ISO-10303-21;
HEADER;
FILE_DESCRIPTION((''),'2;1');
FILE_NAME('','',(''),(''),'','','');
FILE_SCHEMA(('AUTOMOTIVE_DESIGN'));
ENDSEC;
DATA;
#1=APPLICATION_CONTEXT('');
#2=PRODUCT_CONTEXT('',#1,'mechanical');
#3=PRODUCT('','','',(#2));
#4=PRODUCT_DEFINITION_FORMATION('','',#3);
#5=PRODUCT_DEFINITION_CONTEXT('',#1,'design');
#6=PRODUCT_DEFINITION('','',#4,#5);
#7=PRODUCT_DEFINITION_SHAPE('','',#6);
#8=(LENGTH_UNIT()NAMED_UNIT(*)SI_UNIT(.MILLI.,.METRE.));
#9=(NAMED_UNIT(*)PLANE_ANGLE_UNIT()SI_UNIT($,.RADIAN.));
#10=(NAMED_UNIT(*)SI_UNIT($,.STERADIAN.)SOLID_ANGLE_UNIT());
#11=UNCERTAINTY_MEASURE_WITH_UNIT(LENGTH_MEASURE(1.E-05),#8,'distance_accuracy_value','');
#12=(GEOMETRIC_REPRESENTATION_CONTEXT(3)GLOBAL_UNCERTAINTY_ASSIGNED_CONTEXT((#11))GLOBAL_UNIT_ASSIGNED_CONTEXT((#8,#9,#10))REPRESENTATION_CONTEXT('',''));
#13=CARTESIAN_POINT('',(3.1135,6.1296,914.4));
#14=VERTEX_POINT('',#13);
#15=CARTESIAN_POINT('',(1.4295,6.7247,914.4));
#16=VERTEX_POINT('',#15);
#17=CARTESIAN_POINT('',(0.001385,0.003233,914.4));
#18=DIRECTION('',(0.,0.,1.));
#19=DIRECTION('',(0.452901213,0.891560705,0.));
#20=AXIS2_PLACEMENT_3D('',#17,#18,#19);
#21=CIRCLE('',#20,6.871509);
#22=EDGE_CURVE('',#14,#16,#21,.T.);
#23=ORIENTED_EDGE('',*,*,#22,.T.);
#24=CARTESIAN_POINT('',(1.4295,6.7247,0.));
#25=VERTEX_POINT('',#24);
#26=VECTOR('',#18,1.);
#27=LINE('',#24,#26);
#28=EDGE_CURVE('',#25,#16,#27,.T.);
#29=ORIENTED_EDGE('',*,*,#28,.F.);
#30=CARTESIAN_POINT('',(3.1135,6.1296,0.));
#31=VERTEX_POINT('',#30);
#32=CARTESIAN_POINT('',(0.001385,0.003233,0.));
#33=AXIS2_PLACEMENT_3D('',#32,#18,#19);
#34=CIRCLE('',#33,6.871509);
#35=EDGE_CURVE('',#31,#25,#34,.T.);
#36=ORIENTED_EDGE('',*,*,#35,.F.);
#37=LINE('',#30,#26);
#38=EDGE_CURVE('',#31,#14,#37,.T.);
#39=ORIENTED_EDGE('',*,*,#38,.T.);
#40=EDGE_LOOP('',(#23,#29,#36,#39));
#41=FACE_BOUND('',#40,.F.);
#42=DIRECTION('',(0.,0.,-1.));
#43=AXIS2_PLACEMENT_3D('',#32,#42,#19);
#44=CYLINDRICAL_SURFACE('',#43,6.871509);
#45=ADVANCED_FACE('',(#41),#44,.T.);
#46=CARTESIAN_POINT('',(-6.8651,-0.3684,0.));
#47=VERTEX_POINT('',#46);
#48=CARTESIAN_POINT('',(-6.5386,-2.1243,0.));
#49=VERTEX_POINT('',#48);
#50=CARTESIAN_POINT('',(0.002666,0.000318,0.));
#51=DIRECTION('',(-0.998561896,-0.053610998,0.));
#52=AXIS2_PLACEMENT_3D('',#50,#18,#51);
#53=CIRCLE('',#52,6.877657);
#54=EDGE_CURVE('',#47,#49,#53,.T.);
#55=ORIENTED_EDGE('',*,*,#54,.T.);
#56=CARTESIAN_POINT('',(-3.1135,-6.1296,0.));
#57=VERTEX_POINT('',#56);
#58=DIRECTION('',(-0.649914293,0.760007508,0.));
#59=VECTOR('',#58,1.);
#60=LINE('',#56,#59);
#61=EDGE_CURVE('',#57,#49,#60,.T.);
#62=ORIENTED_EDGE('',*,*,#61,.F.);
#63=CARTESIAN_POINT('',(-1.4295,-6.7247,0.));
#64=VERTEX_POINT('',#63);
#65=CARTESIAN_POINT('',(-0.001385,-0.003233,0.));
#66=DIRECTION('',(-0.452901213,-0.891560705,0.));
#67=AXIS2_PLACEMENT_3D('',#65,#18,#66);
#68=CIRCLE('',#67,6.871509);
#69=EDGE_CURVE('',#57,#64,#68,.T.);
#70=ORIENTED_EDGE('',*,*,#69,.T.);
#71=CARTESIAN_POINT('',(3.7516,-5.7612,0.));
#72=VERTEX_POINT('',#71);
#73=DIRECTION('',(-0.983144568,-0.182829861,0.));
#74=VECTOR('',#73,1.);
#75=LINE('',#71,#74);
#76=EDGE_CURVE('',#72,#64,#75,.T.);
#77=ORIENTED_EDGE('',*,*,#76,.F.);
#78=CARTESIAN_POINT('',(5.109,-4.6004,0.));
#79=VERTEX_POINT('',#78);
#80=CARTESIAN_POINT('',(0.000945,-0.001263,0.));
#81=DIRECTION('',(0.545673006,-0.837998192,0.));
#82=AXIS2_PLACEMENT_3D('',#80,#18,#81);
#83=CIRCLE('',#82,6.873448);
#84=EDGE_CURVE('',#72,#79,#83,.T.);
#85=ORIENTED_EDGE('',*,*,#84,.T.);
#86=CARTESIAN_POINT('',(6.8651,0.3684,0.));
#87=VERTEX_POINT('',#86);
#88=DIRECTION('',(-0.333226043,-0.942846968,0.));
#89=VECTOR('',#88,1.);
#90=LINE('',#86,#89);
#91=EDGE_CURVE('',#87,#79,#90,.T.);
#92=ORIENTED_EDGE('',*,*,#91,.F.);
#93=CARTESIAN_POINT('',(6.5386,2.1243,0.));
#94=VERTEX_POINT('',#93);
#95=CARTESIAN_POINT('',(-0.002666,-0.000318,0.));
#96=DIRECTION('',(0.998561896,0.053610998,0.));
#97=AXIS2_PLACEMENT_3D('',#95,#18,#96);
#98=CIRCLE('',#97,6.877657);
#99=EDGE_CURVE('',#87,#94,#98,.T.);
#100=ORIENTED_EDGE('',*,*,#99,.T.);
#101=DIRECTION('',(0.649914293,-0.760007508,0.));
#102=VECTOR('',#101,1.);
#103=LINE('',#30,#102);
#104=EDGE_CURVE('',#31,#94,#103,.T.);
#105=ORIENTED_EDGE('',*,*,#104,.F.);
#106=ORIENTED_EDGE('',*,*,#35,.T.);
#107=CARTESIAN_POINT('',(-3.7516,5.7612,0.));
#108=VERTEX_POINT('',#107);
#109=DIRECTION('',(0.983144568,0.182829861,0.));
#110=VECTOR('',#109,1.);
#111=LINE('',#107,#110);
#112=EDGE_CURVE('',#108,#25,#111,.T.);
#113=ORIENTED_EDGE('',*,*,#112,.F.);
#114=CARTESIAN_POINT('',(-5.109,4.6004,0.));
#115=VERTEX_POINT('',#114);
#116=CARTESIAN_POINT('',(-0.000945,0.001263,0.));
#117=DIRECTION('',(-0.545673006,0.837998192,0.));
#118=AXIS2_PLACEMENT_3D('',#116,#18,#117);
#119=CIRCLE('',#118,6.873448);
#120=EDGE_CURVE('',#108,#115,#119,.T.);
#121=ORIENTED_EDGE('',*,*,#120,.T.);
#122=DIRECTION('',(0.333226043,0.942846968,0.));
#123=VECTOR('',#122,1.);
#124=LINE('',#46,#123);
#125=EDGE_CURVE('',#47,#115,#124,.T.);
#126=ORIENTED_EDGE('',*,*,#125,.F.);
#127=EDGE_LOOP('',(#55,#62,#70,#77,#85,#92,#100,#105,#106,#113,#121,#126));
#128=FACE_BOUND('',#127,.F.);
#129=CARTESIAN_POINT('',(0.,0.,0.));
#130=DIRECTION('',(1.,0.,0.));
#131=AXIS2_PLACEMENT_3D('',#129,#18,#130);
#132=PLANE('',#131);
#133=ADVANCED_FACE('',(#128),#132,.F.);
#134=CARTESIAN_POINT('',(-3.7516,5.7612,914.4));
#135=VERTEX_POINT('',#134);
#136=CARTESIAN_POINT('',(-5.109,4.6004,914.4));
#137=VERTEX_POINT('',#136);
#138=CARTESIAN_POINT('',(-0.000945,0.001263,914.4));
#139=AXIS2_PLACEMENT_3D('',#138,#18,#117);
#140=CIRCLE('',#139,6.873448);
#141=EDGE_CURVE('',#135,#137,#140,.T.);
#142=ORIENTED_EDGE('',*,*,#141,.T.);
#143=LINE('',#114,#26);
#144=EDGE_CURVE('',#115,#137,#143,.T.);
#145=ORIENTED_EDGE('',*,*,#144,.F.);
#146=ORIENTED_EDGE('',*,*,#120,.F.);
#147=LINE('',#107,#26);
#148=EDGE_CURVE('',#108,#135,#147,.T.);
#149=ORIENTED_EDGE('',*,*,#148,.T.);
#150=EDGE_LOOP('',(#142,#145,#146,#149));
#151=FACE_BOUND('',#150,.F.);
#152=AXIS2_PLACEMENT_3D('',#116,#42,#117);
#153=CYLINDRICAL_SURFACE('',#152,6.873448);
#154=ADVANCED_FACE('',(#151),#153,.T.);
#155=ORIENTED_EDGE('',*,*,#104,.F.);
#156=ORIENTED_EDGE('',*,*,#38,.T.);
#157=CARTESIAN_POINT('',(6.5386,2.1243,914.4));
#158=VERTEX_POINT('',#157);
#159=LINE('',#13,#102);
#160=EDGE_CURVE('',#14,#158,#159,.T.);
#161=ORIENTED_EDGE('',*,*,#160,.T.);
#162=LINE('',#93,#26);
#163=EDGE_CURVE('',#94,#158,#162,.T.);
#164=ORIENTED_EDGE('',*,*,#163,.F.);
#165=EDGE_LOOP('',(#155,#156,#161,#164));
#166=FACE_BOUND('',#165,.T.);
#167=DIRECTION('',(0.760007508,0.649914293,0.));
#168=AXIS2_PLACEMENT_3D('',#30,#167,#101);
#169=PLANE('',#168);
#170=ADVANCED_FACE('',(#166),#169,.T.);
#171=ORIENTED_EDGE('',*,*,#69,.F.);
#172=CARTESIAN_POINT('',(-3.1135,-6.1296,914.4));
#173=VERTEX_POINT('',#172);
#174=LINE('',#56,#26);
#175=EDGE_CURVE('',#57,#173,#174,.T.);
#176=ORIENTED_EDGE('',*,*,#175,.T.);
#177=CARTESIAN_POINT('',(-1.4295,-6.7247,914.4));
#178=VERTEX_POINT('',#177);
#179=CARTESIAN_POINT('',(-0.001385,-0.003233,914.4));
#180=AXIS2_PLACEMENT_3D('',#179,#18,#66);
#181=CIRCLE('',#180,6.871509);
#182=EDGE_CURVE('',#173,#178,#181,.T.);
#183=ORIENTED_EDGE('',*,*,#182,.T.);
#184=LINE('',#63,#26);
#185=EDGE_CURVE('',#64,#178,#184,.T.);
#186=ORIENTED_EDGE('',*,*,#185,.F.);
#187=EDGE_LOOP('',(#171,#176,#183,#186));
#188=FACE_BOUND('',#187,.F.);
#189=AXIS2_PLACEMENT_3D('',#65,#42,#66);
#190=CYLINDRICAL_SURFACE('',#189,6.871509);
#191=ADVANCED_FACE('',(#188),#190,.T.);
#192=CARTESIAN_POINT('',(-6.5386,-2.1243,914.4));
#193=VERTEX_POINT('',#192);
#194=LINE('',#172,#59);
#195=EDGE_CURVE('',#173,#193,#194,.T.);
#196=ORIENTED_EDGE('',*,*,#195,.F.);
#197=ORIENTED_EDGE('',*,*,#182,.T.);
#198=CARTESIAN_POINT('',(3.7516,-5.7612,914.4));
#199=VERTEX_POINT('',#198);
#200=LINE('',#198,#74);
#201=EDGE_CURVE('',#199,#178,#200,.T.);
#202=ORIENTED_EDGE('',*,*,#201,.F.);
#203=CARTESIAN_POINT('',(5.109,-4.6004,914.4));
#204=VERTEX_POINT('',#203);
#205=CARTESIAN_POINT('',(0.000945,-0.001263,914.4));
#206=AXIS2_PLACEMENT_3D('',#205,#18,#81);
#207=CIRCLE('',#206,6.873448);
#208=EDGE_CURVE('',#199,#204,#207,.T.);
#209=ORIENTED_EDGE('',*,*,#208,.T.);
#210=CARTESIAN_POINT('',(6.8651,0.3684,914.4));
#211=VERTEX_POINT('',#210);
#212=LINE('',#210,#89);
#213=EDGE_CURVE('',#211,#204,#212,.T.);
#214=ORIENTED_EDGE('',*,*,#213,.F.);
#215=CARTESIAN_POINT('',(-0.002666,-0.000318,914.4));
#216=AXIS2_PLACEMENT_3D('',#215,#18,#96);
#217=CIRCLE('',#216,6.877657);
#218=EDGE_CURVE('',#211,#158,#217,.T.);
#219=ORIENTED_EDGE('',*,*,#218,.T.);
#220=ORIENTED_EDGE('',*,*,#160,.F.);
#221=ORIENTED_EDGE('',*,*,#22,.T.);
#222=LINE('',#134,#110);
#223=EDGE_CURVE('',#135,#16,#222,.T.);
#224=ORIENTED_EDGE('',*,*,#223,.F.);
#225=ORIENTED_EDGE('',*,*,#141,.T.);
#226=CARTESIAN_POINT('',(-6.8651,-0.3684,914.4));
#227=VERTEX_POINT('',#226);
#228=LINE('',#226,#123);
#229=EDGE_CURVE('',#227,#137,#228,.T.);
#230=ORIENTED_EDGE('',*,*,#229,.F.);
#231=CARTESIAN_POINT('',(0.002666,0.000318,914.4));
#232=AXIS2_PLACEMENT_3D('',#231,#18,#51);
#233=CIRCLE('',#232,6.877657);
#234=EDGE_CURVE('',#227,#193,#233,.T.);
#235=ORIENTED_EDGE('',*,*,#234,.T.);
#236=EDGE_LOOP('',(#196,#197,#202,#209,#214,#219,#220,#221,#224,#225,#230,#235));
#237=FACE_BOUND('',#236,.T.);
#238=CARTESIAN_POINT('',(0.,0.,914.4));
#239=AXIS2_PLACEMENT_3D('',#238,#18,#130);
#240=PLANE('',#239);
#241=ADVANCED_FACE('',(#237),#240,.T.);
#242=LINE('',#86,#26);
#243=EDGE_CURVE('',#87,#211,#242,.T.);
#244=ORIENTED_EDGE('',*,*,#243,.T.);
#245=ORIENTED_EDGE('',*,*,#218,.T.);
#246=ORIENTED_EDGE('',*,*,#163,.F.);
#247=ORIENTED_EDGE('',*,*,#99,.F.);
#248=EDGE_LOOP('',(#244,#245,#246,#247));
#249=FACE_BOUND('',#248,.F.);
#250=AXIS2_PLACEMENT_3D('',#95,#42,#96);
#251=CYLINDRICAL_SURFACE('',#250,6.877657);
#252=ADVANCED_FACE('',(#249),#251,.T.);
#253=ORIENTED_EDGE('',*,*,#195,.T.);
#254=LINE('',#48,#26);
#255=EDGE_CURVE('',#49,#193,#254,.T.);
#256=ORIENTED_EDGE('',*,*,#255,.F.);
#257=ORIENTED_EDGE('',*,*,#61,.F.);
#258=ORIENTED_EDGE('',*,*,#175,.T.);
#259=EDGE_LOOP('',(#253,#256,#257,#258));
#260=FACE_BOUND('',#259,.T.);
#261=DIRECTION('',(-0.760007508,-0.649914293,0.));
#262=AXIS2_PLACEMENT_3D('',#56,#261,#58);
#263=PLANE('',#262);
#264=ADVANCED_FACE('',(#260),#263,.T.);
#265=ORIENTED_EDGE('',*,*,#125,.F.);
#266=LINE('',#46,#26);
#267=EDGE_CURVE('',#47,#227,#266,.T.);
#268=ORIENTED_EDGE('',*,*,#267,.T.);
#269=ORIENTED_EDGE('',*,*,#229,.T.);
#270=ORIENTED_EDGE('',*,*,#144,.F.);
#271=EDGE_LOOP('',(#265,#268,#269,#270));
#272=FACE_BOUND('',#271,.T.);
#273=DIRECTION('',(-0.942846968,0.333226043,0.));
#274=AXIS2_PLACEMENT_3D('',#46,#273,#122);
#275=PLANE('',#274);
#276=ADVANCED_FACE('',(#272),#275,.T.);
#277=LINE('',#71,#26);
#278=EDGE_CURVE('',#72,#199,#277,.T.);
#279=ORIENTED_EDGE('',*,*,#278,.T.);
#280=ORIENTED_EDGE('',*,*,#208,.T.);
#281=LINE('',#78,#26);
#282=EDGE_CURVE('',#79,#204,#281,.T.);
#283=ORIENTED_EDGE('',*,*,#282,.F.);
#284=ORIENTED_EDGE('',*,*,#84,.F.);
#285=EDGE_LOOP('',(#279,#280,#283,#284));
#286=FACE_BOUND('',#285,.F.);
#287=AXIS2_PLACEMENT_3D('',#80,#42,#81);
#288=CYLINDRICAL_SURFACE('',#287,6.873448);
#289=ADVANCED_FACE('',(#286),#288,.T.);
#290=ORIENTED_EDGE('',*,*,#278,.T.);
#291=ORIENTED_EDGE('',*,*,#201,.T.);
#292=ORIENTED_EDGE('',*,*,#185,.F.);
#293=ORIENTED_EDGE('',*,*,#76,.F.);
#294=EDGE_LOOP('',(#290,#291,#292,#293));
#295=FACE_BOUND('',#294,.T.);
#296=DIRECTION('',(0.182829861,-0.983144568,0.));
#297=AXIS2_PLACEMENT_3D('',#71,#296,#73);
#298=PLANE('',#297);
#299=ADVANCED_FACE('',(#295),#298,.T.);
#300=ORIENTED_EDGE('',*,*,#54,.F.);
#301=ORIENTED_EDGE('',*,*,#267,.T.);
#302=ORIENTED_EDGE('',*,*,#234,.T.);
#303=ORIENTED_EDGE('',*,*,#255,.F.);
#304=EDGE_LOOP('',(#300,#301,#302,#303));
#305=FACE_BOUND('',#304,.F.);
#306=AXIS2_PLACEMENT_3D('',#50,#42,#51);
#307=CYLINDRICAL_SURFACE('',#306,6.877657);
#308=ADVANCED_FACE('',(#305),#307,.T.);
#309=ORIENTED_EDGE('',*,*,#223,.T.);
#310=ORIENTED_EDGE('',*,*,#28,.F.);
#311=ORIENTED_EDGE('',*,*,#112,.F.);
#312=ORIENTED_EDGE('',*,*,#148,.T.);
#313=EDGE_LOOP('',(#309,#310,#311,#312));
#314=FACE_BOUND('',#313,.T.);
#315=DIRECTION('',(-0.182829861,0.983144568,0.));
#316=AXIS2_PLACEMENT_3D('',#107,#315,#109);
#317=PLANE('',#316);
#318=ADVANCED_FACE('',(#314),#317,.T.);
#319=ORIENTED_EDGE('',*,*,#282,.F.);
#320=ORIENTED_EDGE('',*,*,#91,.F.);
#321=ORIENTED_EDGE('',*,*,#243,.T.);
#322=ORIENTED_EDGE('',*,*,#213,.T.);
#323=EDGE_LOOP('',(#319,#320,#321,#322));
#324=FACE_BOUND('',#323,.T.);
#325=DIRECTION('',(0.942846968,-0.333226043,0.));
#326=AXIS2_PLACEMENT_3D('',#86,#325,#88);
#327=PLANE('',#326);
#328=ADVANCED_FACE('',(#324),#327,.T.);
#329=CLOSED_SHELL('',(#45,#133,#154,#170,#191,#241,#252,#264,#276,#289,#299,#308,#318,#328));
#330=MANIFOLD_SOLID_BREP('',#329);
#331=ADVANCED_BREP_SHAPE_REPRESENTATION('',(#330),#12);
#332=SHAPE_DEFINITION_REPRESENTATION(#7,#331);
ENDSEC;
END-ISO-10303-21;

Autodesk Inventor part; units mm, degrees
ref_plane "YZ Plane" through (0, 0, 0) normal (1, 0, 0) x (0, 1, 0)
ref_plane "XZ Plane" through (0, 0, 0) normal (0, 1, 0) x (-1, 0, 0)
ref_plane "XY Plane" through (0, 0, 0) normal (0, 0, 1) x (1, 0, 0)
sketch "Sketch1" plane through (0, 0, 0) normal (0, 0, 1) x (1, 0, 0)
  arc A0 (-5.109, 4.6004) -> (-6.8651, -0.3684) centre (0, 0) ccw
  line L0 (-4.7654, 5.5726) -> (-3.7516, 5.7612)
  line L1 (2.4434, 6.9133) -> (3.1135, 6.1296)
  line L2 (7.2087, 1.3406) -> (6.8651, 0.3684)
  line L3 (4.7654, -5.5726) -> (3.7516, -5.7612)
  line L4 (-2.4434, -6.9133) -> (-3.1135, -6.1296)
  line L5 (-7.2087, -1.3406) -> (-6.8651, -0.3684)
  arc A1 (-3.7516, 5.7612) -> (-5.109, 4.6004) centre (0, 0) ccw
  arc A2 (1.4295, 6.7247) -> (-3.7516, 5.7612) centre (0, 0) ccw
  arc A3 (3.1135, 6.1296) -> (1.4295, 6.7247) centre (0, 0) ccw
  arc A4 (6.5386, 2.1243) -> (3.1135, 6.1296) centre (0, 0) ccw
  arc A5 (6.8651, 0.3684) -> (6.5386, 2.1243) centre (0, 0) ccw
  arc A6 (5.109, -4.6004) -> (6.8651, 0.3684) centre (0, 0) ccw
  arc A7 (3.7516, -5.7612) -> (5.109, -4.6004) centre (0, 0) ccw
  arc A8 (-1.4295, -6.7247) -> (3.7516, -5.7612) centre (0, 0) ccw
  arc A9 (-3.1135, -6.1296) -> (-1.4295, -6.7247) centre (0, 0) ccw
  arc A10 (-6.5386, -2.1243) -> (-3.1135, -6.1296) centre (0, 0) ccw
  arc A11 (-6.8651, -0.3684) -> (-6.5386, -2.1243) centre (0, 0) ccw
  line L6 (-5.109, 4.6004) -> (-4.7654, 5.5726)
  line L7 (-6.8651, -0.3684) -> (-5.109, 4.6004)
  line L8 (-6.5386, -2.1243) -> (-7.2087, -1.3406)
  line L9 (-3.1135, -6.1296) -> (-6.5386, -2.1243)
  line L10 (-1.4295, -6.7247) -> (-2.4434, -6.9133)
  line L11 (3.7516, -5.7612) -> (-1.4295, -6.7247)
  line L12 (5.109, -4.6004) -> (4.7654, -5.5726)
  line L13 (6.8651, 0.3684) -> (5.109, -4.6004)
  line L14 (6.5386, 2.1243) -> (7.2087, 1.3406)
  line L15 (3.1135, 6.1296) -> (6.5386, 2.1243)
  line L16 (1.4295, 6.7247) -> (2.4434, 6.9133)
  line L17 (-3.7516, 5.7612) -> (1.4295, 6.7247)
  dimension "d0" = 12.7
  dimension "d1" = 13.75
extrude "Extrusion1" add sketch "Sketch1" along normal blind 914.4 contours A1 L17 A3 L15 A5 L13 A7 L11 A9 L9 A11 L7
properties part number "ThunderHex36"
